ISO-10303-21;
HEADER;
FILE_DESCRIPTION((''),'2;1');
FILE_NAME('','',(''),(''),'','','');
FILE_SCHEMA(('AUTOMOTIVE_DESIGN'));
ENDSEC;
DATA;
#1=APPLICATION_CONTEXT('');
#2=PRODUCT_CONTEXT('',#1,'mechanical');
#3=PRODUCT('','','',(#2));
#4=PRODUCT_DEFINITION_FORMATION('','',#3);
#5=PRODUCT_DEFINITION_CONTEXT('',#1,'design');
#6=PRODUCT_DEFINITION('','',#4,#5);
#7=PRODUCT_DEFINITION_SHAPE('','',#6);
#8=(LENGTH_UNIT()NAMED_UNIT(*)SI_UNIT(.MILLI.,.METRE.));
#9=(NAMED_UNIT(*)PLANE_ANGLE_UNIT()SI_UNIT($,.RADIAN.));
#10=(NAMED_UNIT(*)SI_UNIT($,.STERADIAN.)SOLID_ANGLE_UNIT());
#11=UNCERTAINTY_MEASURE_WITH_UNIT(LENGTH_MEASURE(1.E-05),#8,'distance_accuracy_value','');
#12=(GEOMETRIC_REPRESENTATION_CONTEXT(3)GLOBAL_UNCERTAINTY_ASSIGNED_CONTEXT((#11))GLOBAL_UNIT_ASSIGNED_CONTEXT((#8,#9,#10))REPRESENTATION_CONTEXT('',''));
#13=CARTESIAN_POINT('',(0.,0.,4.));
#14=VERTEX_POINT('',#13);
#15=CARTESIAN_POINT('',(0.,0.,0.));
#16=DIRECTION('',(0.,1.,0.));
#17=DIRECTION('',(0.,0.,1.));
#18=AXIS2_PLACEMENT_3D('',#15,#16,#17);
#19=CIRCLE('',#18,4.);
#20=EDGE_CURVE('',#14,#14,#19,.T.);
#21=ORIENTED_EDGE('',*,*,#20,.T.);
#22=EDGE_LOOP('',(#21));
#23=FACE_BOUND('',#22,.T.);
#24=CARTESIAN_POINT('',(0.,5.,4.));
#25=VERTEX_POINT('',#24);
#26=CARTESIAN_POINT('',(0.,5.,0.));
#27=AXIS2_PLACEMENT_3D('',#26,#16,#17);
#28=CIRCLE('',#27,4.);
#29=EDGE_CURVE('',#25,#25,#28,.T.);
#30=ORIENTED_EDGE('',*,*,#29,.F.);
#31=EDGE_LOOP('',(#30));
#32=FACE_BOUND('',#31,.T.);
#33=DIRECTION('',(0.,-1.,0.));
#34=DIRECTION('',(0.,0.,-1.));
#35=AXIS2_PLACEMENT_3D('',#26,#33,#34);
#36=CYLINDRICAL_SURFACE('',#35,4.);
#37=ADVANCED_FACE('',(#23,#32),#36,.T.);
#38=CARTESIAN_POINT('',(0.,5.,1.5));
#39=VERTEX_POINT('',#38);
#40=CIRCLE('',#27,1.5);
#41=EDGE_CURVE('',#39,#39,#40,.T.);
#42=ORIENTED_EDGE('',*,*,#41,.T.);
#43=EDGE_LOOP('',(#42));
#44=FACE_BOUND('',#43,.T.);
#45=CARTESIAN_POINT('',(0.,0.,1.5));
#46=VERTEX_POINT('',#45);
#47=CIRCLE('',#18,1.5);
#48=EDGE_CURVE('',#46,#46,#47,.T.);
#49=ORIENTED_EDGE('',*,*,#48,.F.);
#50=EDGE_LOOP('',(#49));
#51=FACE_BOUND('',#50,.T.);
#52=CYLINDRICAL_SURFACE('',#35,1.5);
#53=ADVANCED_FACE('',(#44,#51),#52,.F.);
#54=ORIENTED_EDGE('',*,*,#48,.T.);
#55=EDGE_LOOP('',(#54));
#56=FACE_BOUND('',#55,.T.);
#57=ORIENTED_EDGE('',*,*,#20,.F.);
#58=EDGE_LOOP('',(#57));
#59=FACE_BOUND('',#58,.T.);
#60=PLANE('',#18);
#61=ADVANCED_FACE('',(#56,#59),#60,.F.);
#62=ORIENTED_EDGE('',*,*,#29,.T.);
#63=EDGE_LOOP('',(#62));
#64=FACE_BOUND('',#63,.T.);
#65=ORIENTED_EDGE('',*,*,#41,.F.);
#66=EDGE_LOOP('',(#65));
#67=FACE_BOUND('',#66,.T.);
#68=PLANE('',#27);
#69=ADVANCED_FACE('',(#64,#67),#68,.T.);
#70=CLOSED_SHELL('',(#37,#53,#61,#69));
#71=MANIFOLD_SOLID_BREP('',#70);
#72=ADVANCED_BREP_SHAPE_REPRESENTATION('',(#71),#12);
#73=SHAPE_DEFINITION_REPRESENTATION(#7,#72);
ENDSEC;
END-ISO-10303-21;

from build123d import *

# Parameters (mm, degrees)
SKETCH_1_R      = 4
SKETCH_1_R_2    = 1.5
EXTRUDE_1_DEPTH = 5


with BuildPart() as part:
    # 草图1 → 凸台-拉伸1 (new body)
    with BuildSketch(Plane(origin=(0, 0, 0), x_dir=(1, 0, 0), z_dir=(0, 1, 0))):
        with Locations(Location((0, 0, 0), (0, 0, 270))):
            Circle(SKETCH_1_R)
        with Locations(Location((0, 0, 0), (0, 0, 270))):
            Circle(SKETCH_1_R_2, mode=Mode.SUBTRACT)
    extrude(amount=EXTRUDE_1_DEPTH)


solid = part.part
